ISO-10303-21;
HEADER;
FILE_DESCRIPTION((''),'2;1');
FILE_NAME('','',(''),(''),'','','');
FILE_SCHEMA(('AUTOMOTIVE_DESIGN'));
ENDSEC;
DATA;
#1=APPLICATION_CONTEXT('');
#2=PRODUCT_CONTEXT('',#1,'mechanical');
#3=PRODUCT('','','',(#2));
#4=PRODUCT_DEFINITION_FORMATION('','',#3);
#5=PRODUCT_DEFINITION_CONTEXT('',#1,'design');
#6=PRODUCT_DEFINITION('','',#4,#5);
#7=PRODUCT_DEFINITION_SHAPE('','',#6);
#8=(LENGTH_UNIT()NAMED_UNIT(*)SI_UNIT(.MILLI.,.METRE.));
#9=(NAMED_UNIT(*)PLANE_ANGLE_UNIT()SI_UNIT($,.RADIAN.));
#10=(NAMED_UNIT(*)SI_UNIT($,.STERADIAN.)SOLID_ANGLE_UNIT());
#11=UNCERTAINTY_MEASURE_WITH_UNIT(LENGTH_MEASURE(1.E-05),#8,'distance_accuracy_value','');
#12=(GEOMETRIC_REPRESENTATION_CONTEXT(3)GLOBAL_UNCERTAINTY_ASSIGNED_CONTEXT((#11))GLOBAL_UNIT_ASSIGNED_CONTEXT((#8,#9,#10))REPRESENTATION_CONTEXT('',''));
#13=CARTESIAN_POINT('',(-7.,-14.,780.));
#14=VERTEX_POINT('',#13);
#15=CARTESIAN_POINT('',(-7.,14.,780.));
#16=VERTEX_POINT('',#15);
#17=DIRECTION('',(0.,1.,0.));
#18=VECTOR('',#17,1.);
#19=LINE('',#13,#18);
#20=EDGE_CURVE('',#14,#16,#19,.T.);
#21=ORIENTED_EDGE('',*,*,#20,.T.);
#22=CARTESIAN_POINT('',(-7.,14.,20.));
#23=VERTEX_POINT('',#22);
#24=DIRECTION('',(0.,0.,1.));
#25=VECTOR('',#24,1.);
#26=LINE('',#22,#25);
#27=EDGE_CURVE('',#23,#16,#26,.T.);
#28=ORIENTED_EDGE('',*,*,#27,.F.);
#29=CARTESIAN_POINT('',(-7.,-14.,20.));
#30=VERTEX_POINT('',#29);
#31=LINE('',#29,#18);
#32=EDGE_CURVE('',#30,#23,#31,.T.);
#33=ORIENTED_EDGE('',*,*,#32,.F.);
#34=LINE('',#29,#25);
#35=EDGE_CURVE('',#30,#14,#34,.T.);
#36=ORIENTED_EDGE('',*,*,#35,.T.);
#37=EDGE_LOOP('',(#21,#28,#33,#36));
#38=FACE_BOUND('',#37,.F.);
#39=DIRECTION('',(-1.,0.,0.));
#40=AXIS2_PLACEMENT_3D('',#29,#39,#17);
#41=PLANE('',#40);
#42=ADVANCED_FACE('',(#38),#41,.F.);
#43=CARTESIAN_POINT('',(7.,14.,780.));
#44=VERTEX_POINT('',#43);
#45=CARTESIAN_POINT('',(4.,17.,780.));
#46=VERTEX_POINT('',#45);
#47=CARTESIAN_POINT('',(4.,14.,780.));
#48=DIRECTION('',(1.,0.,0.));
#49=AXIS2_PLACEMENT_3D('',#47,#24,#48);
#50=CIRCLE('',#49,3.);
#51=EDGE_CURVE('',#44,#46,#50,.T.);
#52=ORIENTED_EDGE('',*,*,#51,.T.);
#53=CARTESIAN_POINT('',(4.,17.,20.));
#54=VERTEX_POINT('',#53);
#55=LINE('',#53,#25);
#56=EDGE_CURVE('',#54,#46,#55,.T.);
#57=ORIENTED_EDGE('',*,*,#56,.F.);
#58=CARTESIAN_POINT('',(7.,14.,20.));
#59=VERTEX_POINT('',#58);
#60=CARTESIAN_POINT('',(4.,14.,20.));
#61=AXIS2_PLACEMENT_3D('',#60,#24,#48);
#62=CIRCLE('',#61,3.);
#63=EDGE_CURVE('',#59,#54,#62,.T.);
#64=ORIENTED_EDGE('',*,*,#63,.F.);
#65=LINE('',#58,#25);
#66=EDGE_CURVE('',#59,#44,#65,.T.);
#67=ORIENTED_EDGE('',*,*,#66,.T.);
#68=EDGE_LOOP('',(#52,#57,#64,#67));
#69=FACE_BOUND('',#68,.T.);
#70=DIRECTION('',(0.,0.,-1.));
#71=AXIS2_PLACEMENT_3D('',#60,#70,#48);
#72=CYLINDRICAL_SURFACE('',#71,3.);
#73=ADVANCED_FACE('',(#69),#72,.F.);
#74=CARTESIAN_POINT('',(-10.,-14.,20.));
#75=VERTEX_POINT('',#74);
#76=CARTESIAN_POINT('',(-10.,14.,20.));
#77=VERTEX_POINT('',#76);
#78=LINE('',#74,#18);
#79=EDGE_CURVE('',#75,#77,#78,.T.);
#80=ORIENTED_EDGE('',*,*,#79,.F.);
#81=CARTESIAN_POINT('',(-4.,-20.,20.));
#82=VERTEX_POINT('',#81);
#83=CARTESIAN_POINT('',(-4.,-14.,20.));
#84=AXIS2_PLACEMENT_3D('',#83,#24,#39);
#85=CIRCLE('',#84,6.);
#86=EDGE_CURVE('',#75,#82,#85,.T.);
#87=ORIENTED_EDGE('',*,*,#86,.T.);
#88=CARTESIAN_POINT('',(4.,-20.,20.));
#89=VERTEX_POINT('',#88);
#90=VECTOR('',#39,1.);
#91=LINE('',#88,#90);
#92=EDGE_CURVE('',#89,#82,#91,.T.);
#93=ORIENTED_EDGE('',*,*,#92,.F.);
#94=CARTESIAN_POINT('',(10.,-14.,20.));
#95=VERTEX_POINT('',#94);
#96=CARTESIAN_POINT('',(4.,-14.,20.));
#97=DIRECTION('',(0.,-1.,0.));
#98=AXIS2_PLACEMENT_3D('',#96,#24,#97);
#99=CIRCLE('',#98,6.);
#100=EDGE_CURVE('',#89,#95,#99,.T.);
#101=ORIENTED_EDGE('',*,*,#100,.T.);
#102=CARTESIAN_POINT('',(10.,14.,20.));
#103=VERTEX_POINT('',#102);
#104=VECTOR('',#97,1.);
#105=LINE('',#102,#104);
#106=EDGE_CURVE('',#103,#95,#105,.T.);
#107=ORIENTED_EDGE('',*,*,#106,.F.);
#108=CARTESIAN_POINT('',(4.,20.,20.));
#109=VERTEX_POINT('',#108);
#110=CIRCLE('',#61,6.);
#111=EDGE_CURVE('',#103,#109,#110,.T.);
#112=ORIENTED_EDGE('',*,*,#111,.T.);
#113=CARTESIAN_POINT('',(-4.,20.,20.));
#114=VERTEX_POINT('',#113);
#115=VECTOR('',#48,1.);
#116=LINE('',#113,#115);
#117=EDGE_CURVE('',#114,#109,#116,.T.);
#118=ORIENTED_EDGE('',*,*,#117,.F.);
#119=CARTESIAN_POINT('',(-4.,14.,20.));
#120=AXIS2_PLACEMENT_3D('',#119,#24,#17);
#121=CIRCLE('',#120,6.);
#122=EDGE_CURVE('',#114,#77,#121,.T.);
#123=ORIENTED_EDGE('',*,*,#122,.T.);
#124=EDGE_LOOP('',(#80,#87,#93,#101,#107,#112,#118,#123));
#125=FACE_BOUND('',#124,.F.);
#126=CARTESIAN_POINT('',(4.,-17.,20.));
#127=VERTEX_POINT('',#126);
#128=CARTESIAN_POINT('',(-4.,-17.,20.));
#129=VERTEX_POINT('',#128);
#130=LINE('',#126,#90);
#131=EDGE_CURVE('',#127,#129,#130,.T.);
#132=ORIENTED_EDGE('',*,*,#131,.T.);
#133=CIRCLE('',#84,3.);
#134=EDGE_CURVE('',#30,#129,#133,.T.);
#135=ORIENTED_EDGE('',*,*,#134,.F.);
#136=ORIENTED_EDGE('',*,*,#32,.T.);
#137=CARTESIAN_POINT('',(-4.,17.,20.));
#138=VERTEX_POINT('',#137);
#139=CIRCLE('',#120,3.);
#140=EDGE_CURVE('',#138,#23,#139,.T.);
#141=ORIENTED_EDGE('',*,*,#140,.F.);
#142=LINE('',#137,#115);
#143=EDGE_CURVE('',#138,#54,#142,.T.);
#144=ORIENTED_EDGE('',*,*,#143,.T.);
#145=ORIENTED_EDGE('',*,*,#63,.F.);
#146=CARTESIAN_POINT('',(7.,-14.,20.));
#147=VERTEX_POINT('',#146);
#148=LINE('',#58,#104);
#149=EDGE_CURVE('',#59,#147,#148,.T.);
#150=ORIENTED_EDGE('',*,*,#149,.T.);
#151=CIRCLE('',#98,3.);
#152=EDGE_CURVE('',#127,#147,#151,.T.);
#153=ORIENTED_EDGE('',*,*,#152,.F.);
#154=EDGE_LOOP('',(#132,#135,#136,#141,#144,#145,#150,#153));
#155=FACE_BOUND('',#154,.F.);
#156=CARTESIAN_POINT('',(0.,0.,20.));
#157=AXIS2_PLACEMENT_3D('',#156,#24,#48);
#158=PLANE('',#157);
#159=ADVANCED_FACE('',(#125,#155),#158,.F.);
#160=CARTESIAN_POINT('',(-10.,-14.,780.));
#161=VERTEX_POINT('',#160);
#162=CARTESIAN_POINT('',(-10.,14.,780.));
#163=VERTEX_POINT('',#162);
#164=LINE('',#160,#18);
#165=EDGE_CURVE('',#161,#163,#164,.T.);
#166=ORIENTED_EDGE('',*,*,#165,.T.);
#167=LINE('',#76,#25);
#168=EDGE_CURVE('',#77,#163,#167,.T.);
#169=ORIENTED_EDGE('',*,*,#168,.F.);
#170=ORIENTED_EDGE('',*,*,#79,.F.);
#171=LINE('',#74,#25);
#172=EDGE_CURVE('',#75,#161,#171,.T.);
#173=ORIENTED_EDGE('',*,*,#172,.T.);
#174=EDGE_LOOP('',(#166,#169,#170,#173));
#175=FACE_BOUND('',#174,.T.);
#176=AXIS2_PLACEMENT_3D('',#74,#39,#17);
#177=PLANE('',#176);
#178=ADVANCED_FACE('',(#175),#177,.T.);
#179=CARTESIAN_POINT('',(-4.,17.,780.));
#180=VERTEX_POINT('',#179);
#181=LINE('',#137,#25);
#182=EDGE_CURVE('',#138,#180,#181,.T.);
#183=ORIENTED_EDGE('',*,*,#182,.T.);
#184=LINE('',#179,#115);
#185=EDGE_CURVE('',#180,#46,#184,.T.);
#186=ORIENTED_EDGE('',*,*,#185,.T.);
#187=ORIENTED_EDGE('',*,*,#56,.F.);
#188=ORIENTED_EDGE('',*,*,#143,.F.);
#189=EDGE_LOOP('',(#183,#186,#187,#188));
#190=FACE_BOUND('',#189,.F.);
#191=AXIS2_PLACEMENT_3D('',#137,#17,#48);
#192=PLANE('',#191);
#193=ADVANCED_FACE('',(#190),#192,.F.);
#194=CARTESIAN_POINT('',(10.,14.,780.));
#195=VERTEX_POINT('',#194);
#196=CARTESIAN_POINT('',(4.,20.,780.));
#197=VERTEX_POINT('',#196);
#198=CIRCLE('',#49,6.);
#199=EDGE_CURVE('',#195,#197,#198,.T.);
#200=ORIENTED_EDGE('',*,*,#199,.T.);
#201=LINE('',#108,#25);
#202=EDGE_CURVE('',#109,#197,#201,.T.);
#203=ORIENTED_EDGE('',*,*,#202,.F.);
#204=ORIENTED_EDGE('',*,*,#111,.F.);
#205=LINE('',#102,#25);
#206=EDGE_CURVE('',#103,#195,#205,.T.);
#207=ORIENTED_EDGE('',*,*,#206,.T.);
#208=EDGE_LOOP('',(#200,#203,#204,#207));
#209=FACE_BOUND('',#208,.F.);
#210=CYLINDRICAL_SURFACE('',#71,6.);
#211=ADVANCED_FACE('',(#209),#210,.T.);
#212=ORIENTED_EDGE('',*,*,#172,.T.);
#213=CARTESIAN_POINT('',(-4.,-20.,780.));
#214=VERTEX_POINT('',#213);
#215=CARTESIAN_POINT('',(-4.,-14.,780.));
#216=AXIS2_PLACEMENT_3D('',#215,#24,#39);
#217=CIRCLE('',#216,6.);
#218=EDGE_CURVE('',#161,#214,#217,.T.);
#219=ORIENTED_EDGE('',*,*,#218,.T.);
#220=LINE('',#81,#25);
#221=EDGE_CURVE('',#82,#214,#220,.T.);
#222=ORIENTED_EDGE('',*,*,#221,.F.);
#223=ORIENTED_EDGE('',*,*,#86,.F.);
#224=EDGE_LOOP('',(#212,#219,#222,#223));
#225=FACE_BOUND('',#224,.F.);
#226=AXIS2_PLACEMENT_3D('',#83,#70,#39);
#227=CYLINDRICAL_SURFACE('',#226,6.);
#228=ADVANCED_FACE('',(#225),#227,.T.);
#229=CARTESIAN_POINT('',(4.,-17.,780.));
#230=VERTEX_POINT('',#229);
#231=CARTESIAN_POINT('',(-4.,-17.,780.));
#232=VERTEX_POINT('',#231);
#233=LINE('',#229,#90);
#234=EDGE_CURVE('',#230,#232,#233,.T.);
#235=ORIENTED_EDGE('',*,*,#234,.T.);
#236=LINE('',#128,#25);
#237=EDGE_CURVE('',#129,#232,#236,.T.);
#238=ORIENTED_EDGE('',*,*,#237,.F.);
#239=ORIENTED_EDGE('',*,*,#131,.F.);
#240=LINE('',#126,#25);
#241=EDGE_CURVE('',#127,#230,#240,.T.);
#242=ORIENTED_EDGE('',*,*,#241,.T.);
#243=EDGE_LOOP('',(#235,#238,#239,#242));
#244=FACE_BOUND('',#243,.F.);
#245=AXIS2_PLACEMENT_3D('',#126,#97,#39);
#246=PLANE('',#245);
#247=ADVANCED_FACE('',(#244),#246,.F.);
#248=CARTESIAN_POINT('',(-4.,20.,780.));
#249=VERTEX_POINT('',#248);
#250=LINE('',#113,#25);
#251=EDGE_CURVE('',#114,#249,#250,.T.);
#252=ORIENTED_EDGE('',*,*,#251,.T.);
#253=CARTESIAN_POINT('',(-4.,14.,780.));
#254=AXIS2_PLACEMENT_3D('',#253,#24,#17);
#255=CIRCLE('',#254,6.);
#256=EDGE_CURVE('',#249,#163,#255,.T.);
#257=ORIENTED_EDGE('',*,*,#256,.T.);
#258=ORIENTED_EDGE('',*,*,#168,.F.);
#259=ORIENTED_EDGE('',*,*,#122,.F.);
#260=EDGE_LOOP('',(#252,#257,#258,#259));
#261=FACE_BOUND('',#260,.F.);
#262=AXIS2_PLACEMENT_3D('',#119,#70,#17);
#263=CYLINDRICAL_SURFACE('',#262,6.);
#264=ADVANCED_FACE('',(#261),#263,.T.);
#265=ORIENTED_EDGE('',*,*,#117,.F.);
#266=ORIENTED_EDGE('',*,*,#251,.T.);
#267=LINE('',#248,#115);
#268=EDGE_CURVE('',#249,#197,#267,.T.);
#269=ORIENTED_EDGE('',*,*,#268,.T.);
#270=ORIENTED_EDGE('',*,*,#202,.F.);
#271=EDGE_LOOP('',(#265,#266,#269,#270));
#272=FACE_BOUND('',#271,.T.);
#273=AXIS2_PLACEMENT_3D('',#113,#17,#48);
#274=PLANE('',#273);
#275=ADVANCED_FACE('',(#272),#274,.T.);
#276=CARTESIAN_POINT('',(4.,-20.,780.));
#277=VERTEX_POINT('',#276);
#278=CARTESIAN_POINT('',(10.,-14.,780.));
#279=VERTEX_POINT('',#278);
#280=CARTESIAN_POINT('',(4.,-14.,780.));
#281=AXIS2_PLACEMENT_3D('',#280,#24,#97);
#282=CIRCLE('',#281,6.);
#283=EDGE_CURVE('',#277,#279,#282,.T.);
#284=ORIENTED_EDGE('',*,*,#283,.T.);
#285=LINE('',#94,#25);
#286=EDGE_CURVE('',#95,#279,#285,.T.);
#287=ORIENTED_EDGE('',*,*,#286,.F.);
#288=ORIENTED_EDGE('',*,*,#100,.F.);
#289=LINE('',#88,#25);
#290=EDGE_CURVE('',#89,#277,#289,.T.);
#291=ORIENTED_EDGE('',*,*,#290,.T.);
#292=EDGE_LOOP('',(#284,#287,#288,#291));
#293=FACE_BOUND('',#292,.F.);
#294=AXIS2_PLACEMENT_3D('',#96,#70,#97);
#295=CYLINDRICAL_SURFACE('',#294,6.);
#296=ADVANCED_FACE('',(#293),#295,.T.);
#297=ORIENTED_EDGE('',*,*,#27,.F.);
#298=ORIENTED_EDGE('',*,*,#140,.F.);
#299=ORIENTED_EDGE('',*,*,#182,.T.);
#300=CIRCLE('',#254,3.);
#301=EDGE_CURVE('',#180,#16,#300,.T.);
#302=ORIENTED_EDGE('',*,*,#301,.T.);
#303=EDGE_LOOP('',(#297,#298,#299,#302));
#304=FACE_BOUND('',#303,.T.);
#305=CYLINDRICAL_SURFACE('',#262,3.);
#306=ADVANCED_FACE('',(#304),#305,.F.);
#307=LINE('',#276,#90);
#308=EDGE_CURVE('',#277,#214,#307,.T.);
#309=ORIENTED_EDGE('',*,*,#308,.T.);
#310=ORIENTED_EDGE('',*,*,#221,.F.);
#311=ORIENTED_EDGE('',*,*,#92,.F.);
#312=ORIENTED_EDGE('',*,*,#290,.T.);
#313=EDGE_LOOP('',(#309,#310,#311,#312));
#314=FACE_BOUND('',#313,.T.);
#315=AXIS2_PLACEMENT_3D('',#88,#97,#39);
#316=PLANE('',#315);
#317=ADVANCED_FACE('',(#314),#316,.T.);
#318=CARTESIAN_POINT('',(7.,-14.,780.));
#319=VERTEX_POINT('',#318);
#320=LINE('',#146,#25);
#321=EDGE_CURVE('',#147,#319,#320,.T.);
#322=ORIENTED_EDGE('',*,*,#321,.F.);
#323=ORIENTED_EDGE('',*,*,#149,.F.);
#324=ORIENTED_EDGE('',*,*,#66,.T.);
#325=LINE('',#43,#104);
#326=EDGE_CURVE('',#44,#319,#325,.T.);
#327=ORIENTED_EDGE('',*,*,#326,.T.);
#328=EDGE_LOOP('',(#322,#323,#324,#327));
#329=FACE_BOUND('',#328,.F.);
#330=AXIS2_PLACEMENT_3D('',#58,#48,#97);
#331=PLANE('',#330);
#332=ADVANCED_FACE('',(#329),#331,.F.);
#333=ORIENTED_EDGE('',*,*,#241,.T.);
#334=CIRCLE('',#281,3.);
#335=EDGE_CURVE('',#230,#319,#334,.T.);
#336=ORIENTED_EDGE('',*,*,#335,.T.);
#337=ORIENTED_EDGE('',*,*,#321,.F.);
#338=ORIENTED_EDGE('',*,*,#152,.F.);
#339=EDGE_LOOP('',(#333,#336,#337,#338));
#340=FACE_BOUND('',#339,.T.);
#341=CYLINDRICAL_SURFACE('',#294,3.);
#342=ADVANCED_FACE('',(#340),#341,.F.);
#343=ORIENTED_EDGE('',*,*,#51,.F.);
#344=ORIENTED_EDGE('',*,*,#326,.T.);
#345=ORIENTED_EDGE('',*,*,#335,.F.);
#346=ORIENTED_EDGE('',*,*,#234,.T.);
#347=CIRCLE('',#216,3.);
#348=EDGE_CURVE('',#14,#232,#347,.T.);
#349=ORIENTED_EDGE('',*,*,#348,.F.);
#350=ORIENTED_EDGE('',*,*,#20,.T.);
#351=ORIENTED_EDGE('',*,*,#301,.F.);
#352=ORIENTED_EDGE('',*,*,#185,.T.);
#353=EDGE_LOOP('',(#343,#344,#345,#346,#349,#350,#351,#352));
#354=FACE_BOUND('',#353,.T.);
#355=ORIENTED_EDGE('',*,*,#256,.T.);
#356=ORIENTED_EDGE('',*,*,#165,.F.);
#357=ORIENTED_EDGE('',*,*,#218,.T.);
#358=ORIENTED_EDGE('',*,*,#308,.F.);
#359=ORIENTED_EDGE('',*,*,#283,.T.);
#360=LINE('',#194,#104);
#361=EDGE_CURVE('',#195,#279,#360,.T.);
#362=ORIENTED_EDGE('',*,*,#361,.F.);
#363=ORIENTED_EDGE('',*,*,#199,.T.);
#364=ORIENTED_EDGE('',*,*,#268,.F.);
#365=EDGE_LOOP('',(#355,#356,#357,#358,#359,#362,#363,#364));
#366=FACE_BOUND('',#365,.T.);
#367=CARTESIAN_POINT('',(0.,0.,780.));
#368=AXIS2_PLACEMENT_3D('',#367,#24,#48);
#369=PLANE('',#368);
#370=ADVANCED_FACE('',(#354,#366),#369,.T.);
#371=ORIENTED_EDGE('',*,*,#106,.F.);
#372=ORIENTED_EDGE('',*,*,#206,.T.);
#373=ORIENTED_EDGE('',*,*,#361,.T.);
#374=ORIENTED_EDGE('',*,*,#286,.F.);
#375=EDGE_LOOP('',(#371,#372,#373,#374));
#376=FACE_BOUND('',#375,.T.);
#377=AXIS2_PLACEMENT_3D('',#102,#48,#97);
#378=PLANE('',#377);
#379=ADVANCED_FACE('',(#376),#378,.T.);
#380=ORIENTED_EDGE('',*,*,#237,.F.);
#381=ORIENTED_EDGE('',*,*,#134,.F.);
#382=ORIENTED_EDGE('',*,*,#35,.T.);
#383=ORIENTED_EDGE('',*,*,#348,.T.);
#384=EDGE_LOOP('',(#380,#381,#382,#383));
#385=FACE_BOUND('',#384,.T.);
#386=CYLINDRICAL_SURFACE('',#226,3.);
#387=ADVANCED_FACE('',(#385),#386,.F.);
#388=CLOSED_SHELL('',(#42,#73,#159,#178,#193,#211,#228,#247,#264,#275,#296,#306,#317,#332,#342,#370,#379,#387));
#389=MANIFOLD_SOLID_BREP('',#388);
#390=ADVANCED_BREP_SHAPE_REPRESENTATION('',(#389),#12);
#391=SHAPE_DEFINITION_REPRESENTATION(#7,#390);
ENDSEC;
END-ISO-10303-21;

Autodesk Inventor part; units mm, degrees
ref_plane "YZ Plane" through (0, 0, 0) normal (1, 0, 0) x (0, 1, 0)
ref_plane "Start Plane" through (0, 0, 20) normal (0, 0, 1) x (1, 0, 0)
ref_plane "End Plane" through (0, 0, 780) normal (0, 0, 1) x (1, 0, 0)
sketch "Sketch" plane through (0, 0, 0) normal (0, 0, 1) x (1, 0, 0)
  line L0 (-10, -14) -> (-10, 14)
  line L1 (-4, 20) -> (4, 20)
  line L2 (10, 14) -> (10, -14)
  line L3 (4, -20) -> (-4, -20)
  arc A0 (-10, -14) -> (-4, -20) centre (-4, -14) ccw
  arc A1 (10, 14) -> (4, 20) centre (4, 14) ccw
  arc A2 (-4, 20) -> (-10, 14) centre (-4, 14) ccw
  arc A3 (4, -20) -> (10, -14) centre (4, -14) ccw
  arc A4 (-4, 17) -> (-7, 14) centre (-4, 14) ccw
  line L4 (-4, 17) -> (4, 17)
  arc A5 (7, 14) -> (4, 17) centre (4, 14) ccw
  line L5 (7, 14) -> (7, -14)
  arc A6 (4, -17) -> (7, -14) centre (4, -14) ccw
  line L6 (4, -17) -> (-4, -17)
  arc A7 (-7, -14) -> (-4, -17) centre (-4, -14) ccw
  line L7 (-7, -14) -> (-7, 14)
  line L8 (0, 29.7397) -> (0, -29.7397) construction
  line L9 (-15.7397, 0) -> (15.7397, 0) construction
  dimension "d7" = 6
  dimension "d9" = 20
  dimension "d11" = 40
  dimension "d12" = 3
  dimension "d15" = 10
  dimension "d16" = 20
extrude "Body" add sketch "Sketch" along normal up to surface (760 mm away) from surface at 20
sketch "Sketch3" plane through (0, 0, 0) normal (0, 0, 1) x (1, 0, 0)
  line L0 (0, 0) -> (10, 0)
ref_plane "Work Plane3" through (0, 0, 0) normal (0, -1, 0) x (1, 0, 0)
sketch "Sketch4" plane through (0, 0, 0) normal (0, -1, 0) x (1, 0, 0)
  line L0 (-2, 20) -> (12, 20) projected
  line L1 (-2, 780) -> (12, 780) projected
  dimension "d18" = 760
equation "\"d7\" = G_IR"
equation "\"d9\" = G_W"
equation "\"d11\" = G_H"
equation "\"d12\" = G_T"
equation "\"d15\" = 0.5 * d9"
equation "\"d16\" = 0.5 * d11"
equation "\"d3\" = G_L"
equation "\"G_W\" = 20"
equation "\"G_H\" = 40"
equation "\"G_T\" = 3"
equation "\"G_IR\" = 6"
equation "\"G_L\" = d18"
properties part number "ISO 4019 - 40x20x3 - 760" material "Steel, Mild"
